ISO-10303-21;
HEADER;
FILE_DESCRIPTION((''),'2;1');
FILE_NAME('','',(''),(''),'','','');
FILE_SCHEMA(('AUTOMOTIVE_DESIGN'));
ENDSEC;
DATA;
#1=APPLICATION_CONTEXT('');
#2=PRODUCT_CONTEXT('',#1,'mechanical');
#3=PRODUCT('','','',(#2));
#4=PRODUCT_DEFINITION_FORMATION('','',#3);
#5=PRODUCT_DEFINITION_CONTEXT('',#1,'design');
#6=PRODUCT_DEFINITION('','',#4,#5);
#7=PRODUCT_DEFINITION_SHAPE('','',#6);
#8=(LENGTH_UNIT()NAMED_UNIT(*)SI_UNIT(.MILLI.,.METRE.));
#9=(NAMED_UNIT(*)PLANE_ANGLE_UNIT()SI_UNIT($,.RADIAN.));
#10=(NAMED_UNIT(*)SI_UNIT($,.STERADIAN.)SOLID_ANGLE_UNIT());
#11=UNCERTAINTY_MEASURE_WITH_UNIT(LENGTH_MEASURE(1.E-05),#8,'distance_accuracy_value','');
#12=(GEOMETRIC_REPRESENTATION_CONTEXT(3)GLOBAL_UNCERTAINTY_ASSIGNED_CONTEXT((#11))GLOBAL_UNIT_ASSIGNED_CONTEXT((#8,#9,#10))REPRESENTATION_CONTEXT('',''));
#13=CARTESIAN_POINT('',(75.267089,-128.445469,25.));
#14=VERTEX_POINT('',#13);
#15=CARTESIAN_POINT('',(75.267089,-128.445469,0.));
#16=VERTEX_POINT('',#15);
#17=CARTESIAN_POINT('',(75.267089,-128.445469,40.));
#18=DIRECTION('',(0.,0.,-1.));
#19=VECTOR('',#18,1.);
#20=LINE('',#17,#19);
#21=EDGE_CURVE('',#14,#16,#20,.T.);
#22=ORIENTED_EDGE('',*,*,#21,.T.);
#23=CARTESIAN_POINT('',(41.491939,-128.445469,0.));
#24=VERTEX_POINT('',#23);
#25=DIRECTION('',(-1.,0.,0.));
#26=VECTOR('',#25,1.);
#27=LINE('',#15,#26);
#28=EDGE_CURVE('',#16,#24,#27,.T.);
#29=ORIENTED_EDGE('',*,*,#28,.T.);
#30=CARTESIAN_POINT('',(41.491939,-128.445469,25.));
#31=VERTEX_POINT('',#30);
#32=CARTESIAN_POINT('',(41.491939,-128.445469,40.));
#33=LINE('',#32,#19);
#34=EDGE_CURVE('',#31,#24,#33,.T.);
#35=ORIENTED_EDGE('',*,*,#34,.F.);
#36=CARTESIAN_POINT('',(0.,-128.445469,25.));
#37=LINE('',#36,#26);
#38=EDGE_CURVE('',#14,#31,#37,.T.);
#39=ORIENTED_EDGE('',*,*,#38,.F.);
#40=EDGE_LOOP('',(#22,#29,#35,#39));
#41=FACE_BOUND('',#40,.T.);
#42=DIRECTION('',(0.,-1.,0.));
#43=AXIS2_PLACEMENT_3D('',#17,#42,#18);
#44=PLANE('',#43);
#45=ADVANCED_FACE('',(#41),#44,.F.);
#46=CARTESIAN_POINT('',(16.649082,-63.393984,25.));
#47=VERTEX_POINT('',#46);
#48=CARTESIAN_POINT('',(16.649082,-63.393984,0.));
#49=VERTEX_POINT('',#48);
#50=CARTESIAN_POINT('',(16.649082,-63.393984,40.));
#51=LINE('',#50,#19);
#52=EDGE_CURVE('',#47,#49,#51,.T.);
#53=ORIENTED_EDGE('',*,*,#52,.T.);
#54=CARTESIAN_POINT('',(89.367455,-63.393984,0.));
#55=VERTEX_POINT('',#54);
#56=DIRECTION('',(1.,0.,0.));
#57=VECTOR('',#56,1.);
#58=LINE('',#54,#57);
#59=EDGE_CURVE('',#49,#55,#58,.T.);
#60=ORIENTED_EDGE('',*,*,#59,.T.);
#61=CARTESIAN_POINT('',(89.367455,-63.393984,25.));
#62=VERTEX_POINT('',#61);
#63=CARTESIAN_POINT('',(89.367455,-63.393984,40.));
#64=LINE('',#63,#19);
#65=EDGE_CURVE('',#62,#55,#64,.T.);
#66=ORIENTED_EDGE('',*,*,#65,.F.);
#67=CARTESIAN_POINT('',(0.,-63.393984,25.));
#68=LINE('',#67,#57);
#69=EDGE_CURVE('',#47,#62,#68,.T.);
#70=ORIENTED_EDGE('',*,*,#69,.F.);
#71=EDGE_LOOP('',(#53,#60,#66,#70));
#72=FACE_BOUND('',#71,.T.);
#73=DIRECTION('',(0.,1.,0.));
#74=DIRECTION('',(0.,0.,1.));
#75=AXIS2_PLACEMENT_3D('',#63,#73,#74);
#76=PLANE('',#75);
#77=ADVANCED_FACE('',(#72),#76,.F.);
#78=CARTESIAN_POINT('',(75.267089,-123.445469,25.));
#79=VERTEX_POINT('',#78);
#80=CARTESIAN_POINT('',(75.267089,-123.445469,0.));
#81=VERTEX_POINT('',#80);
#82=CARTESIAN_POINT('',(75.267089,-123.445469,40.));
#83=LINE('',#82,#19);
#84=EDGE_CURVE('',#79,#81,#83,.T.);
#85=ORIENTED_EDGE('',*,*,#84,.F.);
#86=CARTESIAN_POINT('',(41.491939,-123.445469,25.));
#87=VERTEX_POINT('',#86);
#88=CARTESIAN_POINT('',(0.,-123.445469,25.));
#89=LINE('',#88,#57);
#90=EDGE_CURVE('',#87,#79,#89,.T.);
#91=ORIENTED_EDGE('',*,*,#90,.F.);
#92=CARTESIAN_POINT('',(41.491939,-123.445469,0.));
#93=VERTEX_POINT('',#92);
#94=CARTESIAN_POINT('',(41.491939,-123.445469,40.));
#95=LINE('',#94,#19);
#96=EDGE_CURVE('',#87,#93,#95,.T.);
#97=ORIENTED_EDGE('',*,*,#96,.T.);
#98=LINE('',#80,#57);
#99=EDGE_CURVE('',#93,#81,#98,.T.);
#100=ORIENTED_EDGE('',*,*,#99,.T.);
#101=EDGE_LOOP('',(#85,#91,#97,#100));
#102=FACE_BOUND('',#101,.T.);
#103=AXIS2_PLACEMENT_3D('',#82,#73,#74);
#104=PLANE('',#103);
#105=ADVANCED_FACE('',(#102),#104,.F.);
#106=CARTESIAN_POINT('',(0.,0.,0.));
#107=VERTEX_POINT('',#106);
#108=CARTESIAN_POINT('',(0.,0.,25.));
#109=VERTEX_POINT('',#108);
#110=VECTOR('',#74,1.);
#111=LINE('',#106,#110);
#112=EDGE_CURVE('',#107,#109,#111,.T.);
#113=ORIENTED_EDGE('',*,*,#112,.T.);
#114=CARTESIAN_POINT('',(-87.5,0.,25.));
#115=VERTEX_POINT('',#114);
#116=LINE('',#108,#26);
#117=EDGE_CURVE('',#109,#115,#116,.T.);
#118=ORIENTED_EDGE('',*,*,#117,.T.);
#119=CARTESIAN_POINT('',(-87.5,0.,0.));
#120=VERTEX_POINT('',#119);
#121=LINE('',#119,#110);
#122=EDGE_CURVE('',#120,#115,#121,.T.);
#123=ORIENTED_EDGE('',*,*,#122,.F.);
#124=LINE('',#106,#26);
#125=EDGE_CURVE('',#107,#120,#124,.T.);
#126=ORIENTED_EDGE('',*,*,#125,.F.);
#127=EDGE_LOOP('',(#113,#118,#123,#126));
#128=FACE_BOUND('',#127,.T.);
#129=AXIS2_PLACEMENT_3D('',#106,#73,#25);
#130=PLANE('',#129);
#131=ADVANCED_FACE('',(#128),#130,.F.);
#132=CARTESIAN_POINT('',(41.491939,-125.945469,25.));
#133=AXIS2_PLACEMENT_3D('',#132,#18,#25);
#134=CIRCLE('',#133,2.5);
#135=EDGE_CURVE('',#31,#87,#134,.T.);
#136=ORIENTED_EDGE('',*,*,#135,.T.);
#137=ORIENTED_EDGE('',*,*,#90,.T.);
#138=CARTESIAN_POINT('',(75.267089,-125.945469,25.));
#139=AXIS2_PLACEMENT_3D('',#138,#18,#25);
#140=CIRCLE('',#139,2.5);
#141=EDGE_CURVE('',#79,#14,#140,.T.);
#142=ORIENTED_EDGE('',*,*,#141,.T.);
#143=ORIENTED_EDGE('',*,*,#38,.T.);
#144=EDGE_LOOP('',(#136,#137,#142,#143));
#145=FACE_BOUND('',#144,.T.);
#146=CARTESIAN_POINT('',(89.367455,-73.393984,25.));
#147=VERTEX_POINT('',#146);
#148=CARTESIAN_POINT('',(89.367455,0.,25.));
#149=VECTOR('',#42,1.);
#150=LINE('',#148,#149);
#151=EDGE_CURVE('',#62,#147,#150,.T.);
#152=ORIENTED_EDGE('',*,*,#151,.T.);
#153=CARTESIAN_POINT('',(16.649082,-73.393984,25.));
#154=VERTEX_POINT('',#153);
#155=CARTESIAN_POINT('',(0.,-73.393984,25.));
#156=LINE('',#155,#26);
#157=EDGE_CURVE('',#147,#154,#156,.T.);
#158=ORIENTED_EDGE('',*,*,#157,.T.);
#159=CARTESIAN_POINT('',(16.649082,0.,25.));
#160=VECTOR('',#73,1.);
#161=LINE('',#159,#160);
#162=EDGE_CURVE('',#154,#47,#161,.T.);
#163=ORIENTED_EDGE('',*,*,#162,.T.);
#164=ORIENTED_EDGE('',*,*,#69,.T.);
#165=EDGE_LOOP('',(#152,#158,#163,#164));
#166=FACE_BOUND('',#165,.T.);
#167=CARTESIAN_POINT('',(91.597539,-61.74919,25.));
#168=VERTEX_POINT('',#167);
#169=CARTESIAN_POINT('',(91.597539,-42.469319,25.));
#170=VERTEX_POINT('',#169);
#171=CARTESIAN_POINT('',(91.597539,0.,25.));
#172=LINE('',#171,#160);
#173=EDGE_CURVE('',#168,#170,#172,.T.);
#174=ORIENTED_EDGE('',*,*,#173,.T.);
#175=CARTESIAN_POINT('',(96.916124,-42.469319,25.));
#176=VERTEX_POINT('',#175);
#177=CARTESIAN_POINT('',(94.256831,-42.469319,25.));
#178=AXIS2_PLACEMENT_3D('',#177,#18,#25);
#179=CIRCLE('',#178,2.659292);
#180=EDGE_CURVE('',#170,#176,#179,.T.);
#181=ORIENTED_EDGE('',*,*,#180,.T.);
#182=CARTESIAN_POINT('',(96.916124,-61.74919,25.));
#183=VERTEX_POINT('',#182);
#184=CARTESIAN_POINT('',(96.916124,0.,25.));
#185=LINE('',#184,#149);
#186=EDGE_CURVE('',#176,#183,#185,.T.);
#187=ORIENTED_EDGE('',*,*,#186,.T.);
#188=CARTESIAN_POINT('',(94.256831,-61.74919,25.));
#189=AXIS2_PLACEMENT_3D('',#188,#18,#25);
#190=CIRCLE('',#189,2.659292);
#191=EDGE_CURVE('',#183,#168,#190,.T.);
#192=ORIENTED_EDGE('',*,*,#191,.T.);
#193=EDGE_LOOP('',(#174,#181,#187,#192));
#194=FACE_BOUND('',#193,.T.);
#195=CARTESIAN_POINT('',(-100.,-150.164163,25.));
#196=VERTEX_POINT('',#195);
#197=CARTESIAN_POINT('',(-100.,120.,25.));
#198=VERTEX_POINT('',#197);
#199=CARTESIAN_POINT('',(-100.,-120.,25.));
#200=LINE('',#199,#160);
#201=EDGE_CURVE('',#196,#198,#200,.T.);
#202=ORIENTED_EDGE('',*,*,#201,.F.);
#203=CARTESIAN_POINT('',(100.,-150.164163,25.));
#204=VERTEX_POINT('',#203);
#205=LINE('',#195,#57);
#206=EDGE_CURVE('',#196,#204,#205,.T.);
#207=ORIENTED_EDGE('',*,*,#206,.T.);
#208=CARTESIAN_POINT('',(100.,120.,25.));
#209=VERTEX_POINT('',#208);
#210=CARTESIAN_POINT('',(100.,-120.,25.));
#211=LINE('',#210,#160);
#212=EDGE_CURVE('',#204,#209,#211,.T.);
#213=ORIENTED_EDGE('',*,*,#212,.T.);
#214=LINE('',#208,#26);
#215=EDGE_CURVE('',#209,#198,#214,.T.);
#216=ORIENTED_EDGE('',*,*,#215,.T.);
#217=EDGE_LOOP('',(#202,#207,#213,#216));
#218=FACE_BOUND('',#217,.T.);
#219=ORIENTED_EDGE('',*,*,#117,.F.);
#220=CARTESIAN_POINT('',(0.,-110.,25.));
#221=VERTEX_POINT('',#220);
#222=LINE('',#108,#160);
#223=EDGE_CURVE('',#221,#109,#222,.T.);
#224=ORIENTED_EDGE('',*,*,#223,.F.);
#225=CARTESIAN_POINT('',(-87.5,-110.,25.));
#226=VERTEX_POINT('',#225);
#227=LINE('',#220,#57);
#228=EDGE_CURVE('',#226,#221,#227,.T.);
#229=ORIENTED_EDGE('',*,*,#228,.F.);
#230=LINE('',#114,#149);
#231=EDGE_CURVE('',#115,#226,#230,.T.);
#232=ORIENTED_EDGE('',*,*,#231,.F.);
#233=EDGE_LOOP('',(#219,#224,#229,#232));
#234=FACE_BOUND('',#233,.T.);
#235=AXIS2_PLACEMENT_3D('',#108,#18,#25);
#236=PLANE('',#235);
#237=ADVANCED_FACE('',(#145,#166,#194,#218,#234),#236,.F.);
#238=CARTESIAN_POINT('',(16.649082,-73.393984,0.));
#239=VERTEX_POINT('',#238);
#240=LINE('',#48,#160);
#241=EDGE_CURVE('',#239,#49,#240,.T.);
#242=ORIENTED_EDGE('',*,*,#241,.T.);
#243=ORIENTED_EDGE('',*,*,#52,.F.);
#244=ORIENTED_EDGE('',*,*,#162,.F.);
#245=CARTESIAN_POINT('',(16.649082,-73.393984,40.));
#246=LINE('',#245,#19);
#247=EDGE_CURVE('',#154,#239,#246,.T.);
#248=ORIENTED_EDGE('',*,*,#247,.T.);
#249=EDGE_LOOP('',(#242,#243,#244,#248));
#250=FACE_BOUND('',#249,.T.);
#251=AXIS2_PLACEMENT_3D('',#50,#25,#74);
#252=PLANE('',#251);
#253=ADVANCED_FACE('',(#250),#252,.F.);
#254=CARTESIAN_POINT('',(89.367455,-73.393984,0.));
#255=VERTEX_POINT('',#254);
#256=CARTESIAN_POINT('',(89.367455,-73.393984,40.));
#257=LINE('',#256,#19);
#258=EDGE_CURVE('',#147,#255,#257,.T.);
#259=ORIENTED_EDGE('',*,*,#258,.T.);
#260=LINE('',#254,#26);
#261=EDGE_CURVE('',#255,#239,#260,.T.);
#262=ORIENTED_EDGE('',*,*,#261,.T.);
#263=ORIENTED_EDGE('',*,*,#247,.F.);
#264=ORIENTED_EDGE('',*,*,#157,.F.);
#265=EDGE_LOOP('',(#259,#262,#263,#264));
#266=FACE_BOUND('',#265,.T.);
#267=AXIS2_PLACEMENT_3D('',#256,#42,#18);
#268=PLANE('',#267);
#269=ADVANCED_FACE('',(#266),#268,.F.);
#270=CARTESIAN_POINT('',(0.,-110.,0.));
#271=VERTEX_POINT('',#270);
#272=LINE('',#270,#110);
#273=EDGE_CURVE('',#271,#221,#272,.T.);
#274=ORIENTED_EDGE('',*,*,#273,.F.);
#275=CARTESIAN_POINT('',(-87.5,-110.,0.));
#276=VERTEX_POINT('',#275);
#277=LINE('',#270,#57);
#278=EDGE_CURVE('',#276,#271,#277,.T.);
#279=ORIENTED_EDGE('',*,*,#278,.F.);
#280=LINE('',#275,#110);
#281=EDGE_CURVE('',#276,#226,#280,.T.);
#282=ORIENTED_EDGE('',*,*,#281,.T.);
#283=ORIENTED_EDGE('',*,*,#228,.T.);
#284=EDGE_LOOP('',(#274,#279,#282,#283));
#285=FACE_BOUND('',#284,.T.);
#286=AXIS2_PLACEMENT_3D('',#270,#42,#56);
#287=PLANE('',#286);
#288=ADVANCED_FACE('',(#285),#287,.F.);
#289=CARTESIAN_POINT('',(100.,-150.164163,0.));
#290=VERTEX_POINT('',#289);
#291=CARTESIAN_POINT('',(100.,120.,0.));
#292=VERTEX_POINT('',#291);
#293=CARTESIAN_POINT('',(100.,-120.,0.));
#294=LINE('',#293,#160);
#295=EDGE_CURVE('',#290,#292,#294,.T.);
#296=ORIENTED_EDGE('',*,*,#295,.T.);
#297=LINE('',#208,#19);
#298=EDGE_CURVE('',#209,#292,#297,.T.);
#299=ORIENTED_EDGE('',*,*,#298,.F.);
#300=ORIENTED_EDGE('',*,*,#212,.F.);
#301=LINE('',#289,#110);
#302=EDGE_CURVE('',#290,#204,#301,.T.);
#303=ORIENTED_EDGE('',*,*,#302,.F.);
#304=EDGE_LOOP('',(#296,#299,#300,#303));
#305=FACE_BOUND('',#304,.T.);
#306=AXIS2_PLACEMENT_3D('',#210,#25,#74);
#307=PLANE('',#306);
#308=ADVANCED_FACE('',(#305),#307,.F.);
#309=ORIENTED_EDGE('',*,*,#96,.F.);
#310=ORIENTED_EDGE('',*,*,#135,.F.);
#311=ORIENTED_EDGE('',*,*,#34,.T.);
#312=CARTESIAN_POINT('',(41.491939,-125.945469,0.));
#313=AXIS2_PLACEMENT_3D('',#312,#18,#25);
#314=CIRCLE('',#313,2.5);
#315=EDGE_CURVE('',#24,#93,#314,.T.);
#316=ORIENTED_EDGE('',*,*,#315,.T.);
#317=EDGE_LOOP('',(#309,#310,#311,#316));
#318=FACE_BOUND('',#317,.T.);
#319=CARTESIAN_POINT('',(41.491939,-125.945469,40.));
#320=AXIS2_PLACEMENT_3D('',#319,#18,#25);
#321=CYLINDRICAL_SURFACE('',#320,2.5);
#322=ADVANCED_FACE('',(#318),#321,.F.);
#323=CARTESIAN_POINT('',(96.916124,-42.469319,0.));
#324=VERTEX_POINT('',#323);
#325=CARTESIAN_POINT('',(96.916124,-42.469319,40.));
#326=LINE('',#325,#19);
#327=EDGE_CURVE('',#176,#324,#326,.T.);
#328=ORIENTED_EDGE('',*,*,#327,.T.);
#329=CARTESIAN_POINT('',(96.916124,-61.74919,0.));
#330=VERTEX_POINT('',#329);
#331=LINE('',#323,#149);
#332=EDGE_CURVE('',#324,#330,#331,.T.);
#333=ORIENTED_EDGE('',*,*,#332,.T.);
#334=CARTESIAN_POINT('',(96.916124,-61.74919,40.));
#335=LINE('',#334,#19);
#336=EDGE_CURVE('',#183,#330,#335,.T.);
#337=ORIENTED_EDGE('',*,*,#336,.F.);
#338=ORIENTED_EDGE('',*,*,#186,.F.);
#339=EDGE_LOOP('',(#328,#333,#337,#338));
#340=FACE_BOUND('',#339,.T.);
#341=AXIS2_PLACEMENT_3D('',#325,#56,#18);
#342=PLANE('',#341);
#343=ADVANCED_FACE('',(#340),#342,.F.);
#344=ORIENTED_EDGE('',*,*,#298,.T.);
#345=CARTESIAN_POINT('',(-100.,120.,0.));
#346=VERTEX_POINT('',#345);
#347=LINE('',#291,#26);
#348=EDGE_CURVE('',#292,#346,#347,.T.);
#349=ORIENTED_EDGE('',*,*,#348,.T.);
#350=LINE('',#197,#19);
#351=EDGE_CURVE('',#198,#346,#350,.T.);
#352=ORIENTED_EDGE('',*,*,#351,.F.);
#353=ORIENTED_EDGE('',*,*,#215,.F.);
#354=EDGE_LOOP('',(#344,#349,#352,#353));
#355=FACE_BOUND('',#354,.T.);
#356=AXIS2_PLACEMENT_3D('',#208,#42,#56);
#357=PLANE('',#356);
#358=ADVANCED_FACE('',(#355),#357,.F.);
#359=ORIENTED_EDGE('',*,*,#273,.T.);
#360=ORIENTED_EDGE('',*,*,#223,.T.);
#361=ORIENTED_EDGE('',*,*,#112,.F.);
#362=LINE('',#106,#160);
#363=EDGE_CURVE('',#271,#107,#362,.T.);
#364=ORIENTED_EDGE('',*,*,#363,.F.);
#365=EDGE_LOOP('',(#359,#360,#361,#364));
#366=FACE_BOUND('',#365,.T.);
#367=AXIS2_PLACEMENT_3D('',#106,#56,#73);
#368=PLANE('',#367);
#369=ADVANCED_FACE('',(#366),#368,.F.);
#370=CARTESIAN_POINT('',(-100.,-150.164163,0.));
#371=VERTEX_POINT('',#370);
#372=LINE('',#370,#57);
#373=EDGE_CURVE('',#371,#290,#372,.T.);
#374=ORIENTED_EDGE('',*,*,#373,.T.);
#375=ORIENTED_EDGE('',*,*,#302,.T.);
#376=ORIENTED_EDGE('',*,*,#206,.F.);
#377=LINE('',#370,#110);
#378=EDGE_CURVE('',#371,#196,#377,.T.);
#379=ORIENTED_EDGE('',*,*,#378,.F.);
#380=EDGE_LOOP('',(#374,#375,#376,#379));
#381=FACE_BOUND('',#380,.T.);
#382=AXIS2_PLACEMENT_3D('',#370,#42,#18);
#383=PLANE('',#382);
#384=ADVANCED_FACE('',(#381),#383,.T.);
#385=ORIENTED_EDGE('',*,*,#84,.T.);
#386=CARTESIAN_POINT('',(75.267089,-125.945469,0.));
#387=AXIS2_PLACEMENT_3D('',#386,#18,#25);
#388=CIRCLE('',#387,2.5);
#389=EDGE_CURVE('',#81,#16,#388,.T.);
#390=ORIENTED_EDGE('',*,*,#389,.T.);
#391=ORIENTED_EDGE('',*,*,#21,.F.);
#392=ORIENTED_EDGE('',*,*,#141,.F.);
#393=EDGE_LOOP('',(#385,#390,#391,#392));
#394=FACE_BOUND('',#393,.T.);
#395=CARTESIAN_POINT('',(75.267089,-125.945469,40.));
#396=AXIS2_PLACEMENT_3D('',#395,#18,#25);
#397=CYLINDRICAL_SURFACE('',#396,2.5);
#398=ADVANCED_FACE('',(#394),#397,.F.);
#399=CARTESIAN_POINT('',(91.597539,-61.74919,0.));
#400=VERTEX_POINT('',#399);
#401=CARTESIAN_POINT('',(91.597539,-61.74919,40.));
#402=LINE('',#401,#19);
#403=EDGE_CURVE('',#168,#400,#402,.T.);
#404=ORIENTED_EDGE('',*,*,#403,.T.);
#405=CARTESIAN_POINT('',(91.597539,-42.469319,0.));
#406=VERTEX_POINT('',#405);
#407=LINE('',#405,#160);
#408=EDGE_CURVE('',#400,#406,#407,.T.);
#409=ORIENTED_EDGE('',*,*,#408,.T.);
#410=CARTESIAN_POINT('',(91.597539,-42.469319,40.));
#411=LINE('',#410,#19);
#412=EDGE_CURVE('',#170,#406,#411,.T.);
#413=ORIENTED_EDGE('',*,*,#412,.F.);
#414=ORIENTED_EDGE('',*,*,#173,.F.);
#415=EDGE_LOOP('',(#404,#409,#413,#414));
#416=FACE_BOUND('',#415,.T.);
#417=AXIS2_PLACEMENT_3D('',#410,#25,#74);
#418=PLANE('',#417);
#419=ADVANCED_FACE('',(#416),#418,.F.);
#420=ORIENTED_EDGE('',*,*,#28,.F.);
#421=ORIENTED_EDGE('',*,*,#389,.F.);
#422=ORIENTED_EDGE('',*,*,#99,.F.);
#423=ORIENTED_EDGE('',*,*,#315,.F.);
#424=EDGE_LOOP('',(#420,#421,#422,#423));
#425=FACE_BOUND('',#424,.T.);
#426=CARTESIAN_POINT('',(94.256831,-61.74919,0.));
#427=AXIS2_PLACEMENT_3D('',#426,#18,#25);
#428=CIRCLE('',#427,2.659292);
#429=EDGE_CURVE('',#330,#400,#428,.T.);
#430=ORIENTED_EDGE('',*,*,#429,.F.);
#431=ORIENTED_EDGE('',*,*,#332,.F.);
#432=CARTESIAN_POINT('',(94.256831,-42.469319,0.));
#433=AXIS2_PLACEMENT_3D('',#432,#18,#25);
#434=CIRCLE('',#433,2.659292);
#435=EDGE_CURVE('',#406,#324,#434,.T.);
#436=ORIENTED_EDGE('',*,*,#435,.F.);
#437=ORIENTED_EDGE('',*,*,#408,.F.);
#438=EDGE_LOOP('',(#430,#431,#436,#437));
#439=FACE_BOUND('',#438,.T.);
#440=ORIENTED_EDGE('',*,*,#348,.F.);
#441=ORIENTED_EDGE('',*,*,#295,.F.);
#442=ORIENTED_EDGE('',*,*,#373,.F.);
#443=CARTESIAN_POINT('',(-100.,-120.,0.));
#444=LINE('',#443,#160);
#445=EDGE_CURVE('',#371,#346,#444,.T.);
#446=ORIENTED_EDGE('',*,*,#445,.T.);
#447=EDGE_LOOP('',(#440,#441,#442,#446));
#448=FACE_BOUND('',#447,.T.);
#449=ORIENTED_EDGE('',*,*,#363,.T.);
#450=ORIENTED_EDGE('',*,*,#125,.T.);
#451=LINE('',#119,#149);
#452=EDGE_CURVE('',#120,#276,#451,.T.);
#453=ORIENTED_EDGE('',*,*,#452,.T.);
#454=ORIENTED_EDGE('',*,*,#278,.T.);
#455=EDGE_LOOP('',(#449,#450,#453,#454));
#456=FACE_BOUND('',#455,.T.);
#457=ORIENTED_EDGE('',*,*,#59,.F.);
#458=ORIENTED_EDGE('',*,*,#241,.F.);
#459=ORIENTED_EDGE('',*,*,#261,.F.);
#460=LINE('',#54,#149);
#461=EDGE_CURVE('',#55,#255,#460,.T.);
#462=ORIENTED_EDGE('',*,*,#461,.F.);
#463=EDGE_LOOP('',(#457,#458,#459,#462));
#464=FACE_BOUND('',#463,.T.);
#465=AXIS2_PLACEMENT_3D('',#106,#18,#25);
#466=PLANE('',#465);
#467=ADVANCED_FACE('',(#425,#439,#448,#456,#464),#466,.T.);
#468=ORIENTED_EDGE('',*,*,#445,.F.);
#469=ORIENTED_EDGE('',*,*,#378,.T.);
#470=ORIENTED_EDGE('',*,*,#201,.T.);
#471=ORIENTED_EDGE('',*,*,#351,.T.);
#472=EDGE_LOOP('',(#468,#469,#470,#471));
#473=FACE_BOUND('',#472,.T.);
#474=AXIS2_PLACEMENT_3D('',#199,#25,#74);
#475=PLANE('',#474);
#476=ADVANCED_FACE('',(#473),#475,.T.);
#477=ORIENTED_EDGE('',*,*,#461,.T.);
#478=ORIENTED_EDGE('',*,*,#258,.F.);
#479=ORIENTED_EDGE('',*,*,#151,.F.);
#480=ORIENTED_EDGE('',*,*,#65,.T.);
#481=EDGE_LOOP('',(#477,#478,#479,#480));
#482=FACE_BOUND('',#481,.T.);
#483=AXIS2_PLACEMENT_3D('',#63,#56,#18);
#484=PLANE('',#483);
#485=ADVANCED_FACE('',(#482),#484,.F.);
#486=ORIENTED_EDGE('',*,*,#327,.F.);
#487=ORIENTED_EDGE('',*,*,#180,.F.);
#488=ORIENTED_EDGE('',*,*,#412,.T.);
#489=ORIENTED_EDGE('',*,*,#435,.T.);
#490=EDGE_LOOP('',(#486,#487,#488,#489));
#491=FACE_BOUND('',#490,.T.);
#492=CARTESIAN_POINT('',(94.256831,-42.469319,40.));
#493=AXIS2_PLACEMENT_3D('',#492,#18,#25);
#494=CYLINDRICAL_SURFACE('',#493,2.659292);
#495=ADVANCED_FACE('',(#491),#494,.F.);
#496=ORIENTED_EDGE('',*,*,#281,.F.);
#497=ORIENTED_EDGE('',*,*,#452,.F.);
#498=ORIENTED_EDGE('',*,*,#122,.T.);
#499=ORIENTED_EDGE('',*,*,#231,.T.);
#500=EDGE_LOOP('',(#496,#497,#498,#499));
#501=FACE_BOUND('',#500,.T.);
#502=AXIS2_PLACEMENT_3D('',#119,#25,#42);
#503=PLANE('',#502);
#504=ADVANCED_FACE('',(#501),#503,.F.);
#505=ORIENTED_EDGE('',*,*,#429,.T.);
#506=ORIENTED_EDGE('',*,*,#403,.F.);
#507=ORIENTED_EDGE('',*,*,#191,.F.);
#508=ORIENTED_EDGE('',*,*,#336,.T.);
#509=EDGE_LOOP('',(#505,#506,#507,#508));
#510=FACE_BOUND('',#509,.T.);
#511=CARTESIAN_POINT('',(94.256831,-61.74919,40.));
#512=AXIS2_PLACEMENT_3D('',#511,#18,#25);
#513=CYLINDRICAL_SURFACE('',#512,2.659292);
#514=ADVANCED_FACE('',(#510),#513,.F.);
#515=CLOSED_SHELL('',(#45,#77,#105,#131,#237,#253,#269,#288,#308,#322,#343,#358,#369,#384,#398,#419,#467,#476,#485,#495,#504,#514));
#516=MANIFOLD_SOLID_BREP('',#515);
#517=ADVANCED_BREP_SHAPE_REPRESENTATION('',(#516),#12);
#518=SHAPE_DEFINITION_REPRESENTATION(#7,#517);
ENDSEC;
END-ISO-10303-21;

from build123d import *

# Parameters (mm, degrees)
SKETCH1_W           = 200
SKETCH1_H           = 240
BOSS_EXTRUDE3_DEPTH = 25
SKETCH3_W           = 87.5
SKETCH3_H           = 110
CUT_EXTRUDE1_DEPTH  = 25
SKETCH4_W           = 200
SKETCH4_H           = 30.164162566
BOSS_EXTRUDE4_DEPTH = 25
CUT_EXTRUDE3_DEPTH  = 40
CUT_EXTRUDE4_DEPTH  = 40
SKETCH8_W           = 72.718372575
SKETCH8_H           = 10
CUT_EXTRUDE5_DEPTH  = 40


with BuildPart() as part:
    # Sketch1 → Boss-Extrude3 (new body)
    with BuildSketch(Plane.XY):
        Rectangle(SKETCH1_W, SKETCH1_H)
    extrude(amount=BOSS_EXTRUDE3_DEPTH)

    # Sketch3 → Cut-Extrude1 (cut)
    with BuildSketch(Plane.XY.offset(25)):
        with Locations((-43.75, -55)):
            Rectangle(SKETCH3_W, SKETCH3_H)
    extrude(amount=-CUT_EXTRUDE1_DEPTH, mode=Mode.SUBTRACT)

    # Sketch4 → Boss-Extrude4 (add)
    with BuildSketch(Plane.XY.offset(25)):
        with Locations((0, -135.082081283)):
            Rectangle(SKETCH4_W, SKETCH4_H)
    extrude(amount=-BOSS_EXTRUDE4_DEPTH)

    # Sketch9 → Cut-Extrude3 (cut)
    with BuildSketch(Plane(origin=(0, 0, 0), x_dir=(-1, 0, 0), z_dir=(0, 0, -1))):
        with BuildLine():
            Line((-91.597538887, -42.469319431), (-91.597538887, -61.749189722))
            ThreePointArc((-91.597538887, -61.749189722), (-94.256831341, -64.408482175), (-96.916123795, -61.749189722))
            Line((-96.916123795, -61.749189722), (-96.916123795, -42.469319431))
            ThreePointArc((-96.916123795, -42.469319431), (-94.256831341, -39.810026977), (-91.597538887, -42.469319431))
        make_face()
    extrude(amount=-CUT_EXTRUDE3_DEPTH, mode=Mode.SUBTRACT)

    # Sketch10 → Cut-Extrude4 (cut)
    with BuildSketch(Plane(origin=(0, 0, 0), x_dir=(-1, 0, 0), z_dir=(0, 0, -1))):
        with BuildLine():
            Line((-75.267088852, -123.445469049), (-41.491938711, -123.445469049))
            ThreePointArc((-41.491938711, -123.445469049), (-38.991938711, -125.945469049), (-41.491938711, -128.445469049))
            Line((-41.491938711, -128.445469049), (-75.267088852, -128.445469049))
            ThreePointArc((-75.267088852, -128.445469049), (-77.767088852, -125.945469049), (-75.267088852, -123.445469049))
        make_face()
    extrude(amount=-CUT_EXTRUDE4_DEPTH, mode=Mode.SUBTRACT)

    # Sketch8 → Cut-Extrude5 (cut)
    with BuildSketch(Plane(origin=(0, 0, 0), x_dir=(-1, 0, 0), z_dir=(0, 0, -1))):
        with Locations((-53.00826824, -68.393983819)):
            Rectangle(SKETCH8_W, SKETCH8_H)
    extrude(amount=-CUT_EXTRUDE5_DEPTH, mode=Mode.SUBTRACT)


solid = part.part
